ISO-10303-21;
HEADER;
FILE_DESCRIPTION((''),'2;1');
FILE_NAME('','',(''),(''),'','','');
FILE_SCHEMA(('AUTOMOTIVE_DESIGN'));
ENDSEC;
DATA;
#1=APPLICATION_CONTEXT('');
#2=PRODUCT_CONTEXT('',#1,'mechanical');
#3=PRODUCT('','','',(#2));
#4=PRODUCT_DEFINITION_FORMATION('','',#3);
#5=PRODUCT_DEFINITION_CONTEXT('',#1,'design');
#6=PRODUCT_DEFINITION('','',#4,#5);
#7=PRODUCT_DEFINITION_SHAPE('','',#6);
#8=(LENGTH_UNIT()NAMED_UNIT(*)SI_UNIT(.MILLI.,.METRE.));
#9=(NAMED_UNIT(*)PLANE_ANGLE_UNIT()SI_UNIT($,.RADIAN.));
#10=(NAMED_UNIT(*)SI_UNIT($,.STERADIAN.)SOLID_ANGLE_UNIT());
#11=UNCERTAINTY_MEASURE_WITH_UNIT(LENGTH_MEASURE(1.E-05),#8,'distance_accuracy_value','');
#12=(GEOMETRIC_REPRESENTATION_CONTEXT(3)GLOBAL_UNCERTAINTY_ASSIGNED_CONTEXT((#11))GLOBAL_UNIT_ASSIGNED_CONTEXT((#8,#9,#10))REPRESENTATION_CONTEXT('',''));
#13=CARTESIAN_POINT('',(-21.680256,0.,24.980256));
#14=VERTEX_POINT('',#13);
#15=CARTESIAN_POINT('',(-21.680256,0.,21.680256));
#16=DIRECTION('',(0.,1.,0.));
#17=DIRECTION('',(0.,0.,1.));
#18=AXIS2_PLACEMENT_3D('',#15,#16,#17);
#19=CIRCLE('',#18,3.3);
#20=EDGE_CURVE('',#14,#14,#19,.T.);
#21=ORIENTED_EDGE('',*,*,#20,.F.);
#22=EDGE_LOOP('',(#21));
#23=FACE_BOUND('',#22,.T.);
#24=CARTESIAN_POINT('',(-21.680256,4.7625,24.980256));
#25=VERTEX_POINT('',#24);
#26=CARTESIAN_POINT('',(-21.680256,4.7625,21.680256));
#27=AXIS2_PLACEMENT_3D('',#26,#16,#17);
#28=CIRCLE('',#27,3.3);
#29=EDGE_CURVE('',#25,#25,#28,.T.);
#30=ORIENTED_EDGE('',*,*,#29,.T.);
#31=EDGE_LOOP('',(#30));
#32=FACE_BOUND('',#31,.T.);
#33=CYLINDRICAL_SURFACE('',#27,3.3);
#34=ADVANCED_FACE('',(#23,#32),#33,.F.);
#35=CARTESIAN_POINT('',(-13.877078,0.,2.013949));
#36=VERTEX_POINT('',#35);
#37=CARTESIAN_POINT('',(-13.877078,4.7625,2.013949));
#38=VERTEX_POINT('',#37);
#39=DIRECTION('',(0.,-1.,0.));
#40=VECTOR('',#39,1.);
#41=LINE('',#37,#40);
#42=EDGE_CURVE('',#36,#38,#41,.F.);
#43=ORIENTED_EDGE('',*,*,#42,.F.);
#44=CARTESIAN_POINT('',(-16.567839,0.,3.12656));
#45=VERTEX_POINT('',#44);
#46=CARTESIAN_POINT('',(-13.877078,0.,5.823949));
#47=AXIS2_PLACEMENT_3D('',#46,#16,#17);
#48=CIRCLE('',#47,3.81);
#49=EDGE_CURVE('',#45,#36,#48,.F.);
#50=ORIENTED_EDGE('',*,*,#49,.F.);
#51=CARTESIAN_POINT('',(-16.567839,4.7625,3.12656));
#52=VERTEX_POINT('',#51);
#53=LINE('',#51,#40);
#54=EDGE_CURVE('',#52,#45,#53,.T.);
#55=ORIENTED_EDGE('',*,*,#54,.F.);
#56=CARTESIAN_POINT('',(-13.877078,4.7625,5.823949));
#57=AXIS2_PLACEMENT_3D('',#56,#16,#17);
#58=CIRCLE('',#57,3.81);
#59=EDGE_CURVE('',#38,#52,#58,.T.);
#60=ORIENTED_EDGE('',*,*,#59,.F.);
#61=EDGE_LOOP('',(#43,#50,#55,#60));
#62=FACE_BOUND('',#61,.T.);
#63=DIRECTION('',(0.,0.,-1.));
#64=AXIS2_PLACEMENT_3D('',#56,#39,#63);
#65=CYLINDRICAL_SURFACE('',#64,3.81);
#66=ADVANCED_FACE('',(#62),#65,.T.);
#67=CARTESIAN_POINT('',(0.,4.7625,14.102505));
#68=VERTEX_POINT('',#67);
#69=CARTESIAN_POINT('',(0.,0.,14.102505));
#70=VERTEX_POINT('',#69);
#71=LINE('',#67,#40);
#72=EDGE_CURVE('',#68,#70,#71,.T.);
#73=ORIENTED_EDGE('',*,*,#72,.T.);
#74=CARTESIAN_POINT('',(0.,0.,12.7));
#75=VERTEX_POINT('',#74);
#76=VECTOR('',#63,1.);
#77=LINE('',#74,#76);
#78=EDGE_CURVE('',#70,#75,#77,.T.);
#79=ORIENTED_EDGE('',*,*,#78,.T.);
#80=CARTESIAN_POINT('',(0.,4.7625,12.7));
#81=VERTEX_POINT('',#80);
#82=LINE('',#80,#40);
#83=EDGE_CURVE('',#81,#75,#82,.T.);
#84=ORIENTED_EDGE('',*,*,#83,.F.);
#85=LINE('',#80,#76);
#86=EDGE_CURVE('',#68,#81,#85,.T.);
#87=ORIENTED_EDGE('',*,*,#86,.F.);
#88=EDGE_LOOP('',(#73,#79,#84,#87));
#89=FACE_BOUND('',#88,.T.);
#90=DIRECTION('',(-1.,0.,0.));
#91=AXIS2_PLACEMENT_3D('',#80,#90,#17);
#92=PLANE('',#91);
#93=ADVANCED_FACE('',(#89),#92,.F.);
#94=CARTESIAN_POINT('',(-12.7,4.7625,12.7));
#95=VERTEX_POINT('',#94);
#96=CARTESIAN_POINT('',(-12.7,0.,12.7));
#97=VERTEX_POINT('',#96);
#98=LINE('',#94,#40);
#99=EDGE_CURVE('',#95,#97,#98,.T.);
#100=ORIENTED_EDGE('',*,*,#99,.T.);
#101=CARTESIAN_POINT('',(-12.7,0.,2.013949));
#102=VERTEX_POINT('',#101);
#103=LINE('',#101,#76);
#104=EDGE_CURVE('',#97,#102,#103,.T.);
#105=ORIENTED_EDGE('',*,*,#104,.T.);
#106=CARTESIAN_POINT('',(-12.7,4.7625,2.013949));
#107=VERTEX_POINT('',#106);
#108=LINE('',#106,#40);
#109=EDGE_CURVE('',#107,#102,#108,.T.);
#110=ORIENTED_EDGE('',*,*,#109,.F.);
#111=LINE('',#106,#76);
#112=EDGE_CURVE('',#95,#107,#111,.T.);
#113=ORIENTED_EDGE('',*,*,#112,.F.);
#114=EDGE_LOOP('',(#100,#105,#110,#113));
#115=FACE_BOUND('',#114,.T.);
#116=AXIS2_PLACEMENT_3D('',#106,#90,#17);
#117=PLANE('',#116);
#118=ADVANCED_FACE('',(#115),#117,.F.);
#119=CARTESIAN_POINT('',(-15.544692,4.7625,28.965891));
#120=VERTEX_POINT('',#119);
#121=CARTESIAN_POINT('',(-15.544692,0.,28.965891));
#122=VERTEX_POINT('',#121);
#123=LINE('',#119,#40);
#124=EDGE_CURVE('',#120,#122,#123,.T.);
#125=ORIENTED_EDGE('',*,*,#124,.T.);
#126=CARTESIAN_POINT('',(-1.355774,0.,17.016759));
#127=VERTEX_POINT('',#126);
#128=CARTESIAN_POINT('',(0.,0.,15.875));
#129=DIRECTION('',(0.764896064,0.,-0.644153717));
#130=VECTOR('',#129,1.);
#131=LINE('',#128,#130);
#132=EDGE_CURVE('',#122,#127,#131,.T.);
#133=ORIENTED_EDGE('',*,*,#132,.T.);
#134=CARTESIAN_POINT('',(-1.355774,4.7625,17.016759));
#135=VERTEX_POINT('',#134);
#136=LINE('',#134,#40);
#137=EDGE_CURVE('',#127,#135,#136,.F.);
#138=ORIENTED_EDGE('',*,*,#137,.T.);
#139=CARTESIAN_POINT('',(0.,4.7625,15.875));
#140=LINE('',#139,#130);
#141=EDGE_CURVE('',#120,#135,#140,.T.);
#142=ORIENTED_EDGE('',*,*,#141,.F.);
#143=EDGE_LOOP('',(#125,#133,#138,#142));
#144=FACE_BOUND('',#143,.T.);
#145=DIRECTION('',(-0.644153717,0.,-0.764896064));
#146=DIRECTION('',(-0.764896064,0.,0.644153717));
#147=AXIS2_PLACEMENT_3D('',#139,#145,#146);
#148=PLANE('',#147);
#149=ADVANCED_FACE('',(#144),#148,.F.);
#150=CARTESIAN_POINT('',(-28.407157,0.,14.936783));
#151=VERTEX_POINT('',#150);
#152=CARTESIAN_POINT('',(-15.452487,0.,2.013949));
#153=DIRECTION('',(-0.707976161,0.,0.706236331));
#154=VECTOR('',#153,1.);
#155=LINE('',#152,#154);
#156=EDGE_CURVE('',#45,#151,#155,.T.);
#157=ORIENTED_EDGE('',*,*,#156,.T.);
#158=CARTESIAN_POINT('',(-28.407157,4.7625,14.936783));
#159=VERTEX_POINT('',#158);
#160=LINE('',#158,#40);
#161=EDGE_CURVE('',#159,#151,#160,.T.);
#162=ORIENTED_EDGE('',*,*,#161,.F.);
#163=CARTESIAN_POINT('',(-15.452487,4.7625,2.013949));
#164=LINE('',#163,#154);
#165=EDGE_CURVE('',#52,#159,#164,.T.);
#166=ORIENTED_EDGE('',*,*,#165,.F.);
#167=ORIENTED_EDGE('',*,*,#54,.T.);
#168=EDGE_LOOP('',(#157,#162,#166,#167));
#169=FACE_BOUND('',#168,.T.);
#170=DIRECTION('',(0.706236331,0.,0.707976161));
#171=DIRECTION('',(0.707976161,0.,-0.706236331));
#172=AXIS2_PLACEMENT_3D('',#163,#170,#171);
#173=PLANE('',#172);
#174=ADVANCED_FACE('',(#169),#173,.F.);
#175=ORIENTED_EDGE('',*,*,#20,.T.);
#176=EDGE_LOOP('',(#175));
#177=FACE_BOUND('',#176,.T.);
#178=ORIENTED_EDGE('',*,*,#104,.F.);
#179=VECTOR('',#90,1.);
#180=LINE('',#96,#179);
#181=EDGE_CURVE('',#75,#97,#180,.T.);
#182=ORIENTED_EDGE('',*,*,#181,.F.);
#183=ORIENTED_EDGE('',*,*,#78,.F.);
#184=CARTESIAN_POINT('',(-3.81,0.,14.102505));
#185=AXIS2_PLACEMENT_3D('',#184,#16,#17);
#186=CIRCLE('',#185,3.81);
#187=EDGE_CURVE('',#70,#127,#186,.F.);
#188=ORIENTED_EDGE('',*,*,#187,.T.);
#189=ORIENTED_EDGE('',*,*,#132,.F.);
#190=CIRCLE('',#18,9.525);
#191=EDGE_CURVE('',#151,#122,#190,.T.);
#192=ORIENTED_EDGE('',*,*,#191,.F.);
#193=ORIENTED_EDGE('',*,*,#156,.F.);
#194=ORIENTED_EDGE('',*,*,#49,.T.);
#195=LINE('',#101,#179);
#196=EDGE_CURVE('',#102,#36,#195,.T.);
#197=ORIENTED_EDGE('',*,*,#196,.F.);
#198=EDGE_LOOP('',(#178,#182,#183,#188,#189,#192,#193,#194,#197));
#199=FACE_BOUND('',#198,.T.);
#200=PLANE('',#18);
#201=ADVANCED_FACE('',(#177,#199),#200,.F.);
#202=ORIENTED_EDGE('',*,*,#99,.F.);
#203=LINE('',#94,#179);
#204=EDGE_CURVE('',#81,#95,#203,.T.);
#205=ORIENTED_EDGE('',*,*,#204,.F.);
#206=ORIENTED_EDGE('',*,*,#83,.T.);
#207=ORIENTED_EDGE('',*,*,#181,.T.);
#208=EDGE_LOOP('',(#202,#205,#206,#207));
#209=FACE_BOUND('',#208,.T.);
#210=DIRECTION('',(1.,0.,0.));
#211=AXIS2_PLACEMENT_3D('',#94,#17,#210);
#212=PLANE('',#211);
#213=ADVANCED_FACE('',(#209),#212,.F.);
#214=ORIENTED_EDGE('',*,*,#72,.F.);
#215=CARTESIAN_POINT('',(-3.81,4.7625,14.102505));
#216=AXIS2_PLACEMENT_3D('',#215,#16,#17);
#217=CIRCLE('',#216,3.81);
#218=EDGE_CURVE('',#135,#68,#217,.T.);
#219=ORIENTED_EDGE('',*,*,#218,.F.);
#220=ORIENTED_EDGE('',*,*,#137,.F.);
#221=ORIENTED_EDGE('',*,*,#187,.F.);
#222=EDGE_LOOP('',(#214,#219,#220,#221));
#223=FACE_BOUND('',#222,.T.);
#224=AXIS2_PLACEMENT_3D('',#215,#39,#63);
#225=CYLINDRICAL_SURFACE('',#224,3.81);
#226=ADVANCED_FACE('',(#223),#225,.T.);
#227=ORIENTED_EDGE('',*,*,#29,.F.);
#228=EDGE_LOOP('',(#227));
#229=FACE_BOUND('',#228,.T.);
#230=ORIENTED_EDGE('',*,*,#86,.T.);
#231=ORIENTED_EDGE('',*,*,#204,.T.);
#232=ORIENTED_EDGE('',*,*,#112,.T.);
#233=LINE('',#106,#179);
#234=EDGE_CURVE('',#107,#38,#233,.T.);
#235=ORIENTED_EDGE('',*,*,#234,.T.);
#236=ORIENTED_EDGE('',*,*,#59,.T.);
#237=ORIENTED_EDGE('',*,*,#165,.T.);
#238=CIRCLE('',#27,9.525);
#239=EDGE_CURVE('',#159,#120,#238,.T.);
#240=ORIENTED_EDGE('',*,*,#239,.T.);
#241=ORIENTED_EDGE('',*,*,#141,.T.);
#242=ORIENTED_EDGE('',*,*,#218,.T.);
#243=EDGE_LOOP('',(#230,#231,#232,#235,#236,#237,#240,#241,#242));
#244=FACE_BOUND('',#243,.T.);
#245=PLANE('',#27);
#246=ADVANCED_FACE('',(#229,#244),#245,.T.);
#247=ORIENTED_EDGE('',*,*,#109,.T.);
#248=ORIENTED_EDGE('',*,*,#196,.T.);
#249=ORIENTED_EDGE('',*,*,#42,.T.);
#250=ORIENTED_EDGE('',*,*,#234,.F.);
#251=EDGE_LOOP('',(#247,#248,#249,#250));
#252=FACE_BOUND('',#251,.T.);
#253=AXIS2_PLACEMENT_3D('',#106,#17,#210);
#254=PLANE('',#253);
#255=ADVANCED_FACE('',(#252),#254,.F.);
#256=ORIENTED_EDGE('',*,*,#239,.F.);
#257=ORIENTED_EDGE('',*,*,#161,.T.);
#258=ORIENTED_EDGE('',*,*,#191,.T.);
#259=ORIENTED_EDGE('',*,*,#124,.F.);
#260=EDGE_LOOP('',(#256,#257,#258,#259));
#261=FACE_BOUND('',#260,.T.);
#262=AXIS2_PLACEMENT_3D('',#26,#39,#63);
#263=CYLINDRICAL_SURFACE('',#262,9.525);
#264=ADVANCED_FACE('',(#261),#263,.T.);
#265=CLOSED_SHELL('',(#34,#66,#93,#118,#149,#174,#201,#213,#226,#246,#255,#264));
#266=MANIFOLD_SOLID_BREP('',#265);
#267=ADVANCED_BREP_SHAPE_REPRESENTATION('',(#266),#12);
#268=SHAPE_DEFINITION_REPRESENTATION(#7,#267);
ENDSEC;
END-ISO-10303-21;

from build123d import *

# Parameters (mm, degrees)
BOSS_EXTRUDE2_DEPTH  = 4.7625
FILLET3_R            = 3.81
M6_CLEARANCE_HOLE3_D = 6.6


with BuildPart() as part:
    # Sketch4 → Boss-Extrude2 (new body)
    with BuildSketch(Plane(origin=(0, 0, 0), x_dir=(1, 0, 0), z_dir=(0, 1, 0))):
        with BuildLine():
            Line((-12.7, -2.013948776), (-12.7, -12.7))
            Line((-12.7, -12.7), (0, -12.7))
            Line((0, -12.7), (0, -15.875))
            Line((0, -15.875), (-15.544691969, -28.965891134))
            ThreePointArc((-15.544691969, -28.965891134), (-28.701038648, -28.117199317), (-28.407157173, -14.936783186))
            Line((-28.407157173, -14.936783186), (-15.452487049, -2.013948776))
            Line((-15.452487049, -2.013948776), (-12.7, -2.013948776))
        make_face()
    extrude(amount=BOSS_EXTRUDE2_DEPTH)

    # Fillet3
    fillet3_edges = [part.edges().sort_by_distance(p)[0] for p in [
        (0, 2.38125, 15.875),
        (-15.452487049, 2.38125, 2.013948776),
    ]]
    fillet(fillet3_edges, radius=FILLET3_R)

    # M6 Clearance Hole3 (through all)
    with Locations(Plane(origin=(0, 4.7625, 0), x_dir=(1, 0, 0), z_dir=(0, 1, 0))):
        with Locations((-21.680256121, -21.680256121)):
            Hole(M6_CLEARANCE_HOLE3_D / 2)


solid = part.part
